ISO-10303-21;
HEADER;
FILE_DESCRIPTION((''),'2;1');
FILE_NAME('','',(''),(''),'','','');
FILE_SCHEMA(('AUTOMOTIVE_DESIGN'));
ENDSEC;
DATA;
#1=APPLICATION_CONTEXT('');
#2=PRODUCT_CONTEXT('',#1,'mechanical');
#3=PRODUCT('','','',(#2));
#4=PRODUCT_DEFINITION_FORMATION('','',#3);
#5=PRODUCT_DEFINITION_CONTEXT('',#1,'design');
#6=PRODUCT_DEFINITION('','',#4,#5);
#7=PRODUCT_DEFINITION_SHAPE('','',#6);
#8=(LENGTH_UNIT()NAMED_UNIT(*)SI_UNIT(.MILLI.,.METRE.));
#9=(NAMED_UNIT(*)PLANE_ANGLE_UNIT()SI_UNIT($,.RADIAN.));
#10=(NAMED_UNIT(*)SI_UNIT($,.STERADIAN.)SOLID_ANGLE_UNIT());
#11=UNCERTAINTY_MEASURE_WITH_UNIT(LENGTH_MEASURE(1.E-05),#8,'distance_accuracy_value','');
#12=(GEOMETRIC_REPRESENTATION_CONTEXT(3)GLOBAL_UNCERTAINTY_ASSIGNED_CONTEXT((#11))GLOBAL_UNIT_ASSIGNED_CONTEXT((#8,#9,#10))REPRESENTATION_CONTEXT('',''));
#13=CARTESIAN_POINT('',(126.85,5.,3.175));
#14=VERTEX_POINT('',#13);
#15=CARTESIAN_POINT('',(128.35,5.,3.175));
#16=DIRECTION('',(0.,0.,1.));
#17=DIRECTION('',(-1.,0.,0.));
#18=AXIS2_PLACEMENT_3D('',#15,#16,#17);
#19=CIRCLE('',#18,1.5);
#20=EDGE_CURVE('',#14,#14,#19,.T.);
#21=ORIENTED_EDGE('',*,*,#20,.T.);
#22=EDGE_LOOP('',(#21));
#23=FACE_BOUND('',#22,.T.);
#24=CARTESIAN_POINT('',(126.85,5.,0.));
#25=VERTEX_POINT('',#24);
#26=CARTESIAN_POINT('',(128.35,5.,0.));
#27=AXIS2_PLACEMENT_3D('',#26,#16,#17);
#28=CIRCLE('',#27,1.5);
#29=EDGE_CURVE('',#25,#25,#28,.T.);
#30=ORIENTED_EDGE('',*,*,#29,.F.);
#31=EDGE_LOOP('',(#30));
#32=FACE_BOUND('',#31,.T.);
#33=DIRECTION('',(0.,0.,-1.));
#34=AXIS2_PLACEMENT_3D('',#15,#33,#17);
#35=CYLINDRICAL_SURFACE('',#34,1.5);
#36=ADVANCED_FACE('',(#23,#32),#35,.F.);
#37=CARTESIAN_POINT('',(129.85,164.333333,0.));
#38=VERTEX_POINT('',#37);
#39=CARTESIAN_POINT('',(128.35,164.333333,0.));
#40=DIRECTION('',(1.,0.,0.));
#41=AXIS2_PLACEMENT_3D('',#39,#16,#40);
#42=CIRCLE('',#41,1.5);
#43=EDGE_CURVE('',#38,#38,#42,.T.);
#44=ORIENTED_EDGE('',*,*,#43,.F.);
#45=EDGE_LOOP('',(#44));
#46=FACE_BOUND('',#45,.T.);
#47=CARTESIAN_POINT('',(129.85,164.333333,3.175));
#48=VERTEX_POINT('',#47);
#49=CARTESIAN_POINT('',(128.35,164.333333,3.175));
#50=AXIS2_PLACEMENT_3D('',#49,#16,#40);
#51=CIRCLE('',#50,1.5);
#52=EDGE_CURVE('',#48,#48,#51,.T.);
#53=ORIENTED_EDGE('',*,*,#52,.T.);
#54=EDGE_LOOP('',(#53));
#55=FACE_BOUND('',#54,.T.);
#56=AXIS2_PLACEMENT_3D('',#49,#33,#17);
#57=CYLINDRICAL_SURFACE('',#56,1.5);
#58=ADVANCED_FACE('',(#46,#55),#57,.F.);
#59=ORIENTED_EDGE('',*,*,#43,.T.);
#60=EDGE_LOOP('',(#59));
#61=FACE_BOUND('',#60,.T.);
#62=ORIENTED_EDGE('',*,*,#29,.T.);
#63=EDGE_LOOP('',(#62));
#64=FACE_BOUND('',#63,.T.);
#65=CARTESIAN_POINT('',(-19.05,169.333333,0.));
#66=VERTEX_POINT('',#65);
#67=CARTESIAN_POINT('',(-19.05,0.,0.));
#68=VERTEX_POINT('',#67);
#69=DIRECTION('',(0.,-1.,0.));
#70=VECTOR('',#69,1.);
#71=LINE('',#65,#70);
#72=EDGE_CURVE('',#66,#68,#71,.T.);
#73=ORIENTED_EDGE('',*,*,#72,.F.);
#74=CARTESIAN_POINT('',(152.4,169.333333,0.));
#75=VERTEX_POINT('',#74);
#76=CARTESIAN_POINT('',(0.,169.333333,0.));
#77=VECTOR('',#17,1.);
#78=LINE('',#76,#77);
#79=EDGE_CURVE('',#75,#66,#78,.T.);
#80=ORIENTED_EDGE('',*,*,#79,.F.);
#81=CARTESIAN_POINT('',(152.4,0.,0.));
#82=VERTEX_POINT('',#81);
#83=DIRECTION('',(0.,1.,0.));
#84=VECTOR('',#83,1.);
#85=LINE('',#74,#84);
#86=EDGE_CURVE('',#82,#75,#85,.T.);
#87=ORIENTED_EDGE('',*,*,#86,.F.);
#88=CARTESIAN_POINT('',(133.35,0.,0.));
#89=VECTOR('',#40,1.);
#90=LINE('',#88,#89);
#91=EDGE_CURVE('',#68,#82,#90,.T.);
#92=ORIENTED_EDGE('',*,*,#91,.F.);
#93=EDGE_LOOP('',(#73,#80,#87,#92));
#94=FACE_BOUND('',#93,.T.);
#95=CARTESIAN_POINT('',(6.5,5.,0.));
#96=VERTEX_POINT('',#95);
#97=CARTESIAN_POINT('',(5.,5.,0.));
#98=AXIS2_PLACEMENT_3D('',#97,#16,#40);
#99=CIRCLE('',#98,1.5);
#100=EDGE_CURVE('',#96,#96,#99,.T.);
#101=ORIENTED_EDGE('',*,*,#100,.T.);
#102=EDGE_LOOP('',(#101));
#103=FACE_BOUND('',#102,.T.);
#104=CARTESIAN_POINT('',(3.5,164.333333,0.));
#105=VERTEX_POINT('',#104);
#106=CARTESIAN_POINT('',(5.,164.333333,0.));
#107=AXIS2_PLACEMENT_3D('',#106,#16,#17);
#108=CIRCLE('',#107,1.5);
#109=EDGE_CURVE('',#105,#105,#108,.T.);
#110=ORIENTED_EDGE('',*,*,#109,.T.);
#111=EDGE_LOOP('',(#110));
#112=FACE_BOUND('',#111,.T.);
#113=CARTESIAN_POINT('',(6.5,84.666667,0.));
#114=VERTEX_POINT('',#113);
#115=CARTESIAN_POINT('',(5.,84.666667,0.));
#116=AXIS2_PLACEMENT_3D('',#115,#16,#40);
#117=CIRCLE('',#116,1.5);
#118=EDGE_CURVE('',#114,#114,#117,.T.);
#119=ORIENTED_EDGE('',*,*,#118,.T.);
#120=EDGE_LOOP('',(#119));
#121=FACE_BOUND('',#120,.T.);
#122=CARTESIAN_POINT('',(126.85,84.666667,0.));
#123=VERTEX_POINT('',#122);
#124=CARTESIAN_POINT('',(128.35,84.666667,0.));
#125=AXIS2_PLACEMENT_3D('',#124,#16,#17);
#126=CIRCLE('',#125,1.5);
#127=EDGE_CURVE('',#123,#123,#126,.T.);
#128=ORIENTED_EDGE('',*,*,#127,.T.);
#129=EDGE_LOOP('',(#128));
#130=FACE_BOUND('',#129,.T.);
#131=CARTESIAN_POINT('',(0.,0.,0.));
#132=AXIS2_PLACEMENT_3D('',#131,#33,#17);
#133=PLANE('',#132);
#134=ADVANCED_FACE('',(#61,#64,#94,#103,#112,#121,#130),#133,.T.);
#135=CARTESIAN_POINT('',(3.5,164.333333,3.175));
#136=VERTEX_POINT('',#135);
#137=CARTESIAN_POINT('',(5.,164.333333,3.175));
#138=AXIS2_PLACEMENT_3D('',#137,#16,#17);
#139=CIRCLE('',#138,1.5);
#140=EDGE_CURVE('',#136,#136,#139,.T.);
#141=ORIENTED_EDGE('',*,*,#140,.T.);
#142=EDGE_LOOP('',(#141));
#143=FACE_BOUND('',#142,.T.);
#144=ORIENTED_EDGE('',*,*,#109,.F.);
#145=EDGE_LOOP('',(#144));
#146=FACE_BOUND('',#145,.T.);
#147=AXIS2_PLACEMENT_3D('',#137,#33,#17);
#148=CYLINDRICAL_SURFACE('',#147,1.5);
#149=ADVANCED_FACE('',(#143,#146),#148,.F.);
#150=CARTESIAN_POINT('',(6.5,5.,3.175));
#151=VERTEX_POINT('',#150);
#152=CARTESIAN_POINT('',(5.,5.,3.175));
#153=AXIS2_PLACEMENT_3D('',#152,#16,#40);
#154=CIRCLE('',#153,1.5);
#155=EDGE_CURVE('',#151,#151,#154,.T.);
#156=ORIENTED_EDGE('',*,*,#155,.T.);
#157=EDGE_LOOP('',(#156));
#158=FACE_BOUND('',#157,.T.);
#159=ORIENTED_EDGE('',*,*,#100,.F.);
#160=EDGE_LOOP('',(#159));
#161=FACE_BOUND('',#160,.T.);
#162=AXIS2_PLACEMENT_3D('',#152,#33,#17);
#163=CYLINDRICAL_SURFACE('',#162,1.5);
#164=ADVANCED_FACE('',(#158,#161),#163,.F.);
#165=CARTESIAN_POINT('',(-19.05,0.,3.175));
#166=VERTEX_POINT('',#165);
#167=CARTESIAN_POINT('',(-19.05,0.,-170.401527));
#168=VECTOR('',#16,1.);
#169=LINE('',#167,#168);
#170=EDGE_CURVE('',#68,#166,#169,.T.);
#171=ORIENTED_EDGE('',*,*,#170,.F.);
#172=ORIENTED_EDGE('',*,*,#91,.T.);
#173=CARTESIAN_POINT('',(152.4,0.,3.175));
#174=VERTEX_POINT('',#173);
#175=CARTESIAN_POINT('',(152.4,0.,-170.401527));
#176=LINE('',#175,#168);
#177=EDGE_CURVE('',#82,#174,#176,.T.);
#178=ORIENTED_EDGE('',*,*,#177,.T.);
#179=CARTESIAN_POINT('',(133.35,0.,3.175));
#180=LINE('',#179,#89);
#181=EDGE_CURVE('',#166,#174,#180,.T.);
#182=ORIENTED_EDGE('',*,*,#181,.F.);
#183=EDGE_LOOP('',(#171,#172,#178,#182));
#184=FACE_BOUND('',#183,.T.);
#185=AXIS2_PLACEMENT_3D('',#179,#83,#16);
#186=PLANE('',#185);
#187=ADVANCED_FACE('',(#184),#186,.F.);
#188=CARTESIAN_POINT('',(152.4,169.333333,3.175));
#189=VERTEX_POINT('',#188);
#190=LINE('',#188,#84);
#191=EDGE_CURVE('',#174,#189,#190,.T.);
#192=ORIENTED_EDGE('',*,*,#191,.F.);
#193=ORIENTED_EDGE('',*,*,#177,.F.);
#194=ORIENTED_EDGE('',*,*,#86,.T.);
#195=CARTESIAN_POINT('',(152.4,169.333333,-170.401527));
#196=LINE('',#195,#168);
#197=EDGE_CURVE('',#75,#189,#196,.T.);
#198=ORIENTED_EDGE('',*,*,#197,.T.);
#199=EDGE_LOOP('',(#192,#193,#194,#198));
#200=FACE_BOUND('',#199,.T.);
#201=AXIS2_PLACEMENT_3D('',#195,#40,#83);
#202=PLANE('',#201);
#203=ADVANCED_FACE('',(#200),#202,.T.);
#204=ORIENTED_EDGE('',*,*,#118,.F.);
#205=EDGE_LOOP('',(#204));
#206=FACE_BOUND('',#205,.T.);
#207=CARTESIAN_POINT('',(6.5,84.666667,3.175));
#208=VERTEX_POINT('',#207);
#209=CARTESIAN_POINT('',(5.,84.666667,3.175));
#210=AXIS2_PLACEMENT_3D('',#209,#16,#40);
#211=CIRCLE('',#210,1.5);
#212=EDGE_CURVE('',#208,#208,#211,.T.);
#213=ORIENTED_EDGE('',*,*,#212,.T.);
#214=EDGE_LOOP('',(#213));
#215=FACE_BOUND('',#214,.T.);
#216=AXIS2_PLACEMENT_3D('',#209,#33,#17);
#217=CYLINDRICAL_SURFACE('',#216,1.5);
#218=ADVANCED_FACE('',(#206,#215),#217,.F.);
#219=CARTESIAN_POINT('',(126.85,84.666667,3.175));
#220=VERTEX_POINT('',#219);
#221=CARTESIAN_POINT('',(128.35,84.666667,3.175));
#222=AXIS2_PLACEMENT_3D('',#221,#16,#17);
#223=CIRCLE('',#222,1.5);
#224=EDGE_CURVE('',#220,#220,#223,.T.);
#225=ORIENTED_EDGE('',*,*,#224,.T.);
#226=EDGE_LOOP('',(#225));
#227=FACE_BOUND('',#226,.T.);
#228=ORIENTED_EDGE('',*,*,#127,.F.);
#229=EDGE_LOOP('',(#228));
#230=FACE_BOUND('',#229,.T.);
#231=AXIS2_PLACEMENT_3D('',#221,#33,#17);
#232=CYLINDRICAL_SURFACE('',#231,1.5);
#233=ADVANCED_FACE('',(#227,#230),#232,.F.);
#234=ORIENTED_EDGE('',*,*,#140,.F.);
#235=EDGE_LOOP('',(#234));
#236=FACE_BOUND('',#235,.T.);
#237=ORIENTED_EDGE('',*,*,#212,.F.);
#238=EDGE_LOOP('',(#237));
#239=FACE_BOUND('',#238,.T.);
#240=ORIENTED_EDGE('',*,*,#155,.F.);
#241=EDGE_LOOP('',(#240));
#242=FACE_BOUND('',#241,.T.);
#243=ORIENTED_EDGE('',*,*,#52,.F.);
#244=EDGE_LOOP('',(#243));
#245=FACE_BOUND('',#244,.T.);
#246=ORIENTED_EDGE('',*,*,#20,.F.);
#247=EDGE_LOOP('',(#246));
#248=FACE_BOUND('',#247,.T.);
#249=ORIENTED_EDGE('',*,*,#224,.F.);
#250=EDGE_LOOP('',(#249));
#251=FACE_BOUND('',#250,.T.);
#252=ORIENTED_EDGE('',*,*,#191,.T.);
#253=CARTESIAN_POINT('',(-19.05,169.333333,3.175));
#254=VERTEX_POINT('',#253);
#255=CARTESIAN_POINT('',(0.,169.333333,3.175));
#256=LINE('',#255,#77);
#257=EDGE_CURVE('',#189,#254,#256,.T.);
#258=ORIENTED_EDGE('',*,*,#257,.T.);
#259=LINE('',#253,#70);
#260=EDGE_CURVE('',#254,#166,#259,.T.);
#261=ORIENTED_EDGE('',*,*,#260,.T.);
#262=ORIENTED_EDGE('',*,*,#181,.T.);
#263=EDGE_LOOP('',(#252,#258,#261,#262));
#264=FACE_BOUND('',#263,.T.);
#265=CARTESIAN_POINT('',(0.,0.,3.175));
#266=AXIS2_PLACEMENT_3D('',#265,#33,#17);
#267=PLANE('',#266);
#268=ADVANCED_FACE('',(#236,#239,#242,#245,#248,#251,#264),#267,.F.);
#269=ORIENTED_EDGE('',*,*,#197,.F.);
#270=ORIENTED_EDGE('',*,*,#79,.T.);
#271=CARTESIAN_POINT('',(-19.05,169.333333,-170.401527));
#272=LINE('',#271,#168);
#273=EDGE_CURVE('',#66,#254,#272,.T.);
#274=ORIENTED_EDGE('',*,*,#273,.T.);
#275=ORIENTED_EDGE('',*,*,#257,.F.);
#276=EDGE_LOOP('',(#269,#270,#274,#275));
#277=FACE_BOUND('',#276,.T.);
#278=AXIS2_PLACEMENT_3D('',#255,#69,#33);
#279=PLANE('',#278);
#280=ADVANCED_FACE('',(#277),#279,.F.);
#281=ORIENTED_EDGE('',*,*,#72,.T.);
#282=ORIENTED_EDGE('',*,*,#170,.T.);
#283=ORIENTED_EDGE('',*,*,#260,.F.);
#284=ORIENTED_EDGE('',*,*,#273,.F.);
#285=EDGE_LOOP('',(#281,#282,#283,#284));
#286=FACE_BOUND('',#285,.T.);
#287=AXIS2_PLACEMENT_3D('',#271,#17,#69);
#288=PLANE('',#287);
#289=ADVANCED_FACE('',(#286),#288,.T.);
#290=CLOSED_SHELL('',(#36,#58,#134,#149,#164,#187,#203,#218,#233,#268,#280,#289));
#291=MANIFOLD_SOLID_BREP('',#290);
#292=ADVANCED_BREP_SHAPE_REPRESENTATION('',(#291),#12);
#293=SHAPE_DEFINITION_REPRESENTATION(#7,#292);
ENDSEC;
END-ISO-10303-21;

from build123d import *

# Parameters (mm, degrees)
SKETCH1_W           = 133.35
SKETCH1_H           = 169.333333333
SKETCH1_R           = 1.5
BOSS_EXTRUDE1_DEPTH = 3.175
SKETCH3_W           = 19.05
SKETCH3_H           = 169.333333333
BOSS_EXTRUDE2_DEPTH = 3.175


with BuildPart() as part:
    # Sketch1 → Boss-Extrude1 (new body)
    with BuildSketch(Plane.XY):
        with Locations((66.675, 84.666666667)):
            Rectangle(SKETCH1_W, SKETCH1_H)
        with Locations((5, 5)):
            Circle(SKETCH1_R, mode=Mode.SUBTRACT)
        with Locations(Location((5, 164.333333333, 0), (0, 0, 180))):
            Circle(SKETCH1_R, mode=Mode.SUBTRACT)
        with Locations((5, 84.666666667)):
            Circle(SKETCH1_R, mode=Mode.SUBTRACT)
        with Locations((128.35, 164.333333333)):
            Circle(SKETCH1_R, mode=Mode.SUBTRACT)
        with Locations(Location((128.35, 84.666666667, 0), (0, 0, 180))):
            Circle(SKETCH1_R, mode=Mode.SUBTRACT)
        with Locations(Location((128.35, 5, 0), (0, 0, 180))):
            Circle(SKETCH1_R, mode=Mode.SUBTRACT)
    extrude(amount=BOSS_EXTRUDE1_DEPTH)

    # Sketch3 → Boss-Extrude2 (add)
    with BuildSketch(Plane.XY.offset(3.175)):
        with Locations((-9.525, 84.666666667)):
            Rectangle(SKETCH3_W, SKETCH3_H)
        with Locations((142.875, 84.666666667)):
            Rectangle(SKETCH3_W, SKETCH3_H)
    extrude(amount=-BOSS_EXTRUDE2_DEPTH)


solid = part.part
